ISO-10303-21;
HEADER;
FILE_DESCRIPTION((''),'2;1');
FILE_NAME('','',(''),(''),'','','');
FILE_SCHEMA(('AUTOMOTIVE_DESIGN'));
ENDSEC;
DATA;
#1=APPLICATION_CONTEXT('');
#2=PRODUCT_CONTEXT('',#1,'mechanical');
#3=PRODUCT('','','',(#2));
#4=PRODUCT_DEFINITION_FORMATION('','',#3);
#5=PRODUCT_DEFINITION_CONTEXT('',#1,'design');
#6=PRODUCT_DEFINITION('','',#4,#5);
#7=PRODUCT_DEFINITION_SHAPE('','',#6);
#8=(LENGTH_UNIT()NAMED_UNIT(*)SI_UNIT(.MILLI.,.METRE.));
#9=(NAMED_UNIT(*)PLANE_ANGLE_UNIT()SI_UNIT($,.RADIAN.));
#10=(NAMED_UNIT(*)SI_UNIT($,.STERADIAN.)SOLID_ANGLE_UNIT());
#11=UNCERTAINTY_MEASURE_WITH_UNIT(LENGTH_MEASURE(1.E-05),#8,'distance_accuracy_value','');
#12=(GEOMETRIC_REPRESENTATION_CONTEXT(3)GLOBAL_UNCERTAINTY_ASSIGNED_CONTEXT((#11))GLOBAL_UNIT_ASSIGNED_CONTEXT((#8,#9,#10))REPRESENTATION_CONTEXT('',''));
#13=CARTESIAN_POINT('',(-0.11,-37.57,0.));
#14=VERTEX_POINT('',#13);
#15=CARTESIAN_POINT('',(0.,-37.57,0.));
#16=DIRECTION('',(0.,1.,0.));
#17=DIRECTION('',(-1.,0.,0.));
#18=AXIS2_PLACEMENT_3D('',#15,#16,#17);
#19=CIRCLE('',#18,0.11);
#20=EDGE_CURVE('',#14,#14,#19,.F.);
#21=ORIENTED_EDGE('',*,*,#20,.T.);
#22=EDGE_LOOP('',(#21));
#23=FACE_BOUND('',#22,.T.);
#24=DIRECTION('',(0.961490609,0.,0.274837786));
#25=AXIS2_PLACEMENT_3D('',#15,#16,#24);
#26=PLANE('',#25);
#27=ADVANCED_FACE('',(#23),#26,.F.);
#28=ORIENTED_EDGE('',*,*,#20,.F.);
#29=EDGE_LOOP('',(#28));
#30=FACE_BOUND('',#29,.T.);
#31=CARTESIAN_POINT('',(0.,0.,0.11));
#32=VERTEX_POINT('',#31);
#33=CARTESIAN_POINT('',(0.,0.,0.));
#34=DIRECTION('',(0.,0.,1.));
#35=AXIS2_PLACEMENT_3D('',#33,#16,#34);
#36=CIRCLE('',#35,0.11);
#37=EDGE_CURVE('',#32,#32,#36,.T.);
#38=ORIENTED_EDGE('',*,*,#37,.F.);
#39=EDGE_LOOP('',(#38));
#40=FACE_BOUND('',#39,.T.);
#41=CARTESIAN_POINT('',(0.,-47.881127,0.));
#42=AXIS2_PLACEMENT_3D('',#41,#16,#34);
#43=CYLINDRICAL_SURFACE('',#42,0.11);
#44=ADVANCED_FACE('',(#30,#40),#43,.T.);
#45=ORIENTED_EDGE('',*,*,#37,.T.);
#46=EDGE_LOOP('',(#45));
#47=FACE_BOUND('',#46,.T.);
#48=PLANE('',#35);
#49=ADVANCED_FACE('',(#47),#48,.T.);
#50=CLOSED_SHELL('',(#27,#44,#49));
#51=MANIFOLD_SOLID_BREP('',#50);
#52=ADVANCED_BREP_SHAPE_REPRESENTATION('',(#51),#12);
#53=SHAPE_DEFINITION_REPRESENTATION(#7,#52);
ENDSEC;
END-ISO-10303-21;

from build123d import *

# Parameters (mm, degrees)
SKETCH1_R           = 0.11
BOSS_EXTRUDE1_DEPTH = 37.57


with BuildPart() as part:
    # Sketch1 → Boss-Extrude1 (new body)
    with BuildSketch(Plane(origin=(0, 0, 0), x_dir=(1, 0, 0), z_dir=(0, 1, 0))):
        with Locations(Location((0, 0, 0), (0, 0, 270))):
            Circle(SKETCH1_R)
    extrude(amount=-BOSS_EXTRUDE1_DEPTH)


solid = part.part
